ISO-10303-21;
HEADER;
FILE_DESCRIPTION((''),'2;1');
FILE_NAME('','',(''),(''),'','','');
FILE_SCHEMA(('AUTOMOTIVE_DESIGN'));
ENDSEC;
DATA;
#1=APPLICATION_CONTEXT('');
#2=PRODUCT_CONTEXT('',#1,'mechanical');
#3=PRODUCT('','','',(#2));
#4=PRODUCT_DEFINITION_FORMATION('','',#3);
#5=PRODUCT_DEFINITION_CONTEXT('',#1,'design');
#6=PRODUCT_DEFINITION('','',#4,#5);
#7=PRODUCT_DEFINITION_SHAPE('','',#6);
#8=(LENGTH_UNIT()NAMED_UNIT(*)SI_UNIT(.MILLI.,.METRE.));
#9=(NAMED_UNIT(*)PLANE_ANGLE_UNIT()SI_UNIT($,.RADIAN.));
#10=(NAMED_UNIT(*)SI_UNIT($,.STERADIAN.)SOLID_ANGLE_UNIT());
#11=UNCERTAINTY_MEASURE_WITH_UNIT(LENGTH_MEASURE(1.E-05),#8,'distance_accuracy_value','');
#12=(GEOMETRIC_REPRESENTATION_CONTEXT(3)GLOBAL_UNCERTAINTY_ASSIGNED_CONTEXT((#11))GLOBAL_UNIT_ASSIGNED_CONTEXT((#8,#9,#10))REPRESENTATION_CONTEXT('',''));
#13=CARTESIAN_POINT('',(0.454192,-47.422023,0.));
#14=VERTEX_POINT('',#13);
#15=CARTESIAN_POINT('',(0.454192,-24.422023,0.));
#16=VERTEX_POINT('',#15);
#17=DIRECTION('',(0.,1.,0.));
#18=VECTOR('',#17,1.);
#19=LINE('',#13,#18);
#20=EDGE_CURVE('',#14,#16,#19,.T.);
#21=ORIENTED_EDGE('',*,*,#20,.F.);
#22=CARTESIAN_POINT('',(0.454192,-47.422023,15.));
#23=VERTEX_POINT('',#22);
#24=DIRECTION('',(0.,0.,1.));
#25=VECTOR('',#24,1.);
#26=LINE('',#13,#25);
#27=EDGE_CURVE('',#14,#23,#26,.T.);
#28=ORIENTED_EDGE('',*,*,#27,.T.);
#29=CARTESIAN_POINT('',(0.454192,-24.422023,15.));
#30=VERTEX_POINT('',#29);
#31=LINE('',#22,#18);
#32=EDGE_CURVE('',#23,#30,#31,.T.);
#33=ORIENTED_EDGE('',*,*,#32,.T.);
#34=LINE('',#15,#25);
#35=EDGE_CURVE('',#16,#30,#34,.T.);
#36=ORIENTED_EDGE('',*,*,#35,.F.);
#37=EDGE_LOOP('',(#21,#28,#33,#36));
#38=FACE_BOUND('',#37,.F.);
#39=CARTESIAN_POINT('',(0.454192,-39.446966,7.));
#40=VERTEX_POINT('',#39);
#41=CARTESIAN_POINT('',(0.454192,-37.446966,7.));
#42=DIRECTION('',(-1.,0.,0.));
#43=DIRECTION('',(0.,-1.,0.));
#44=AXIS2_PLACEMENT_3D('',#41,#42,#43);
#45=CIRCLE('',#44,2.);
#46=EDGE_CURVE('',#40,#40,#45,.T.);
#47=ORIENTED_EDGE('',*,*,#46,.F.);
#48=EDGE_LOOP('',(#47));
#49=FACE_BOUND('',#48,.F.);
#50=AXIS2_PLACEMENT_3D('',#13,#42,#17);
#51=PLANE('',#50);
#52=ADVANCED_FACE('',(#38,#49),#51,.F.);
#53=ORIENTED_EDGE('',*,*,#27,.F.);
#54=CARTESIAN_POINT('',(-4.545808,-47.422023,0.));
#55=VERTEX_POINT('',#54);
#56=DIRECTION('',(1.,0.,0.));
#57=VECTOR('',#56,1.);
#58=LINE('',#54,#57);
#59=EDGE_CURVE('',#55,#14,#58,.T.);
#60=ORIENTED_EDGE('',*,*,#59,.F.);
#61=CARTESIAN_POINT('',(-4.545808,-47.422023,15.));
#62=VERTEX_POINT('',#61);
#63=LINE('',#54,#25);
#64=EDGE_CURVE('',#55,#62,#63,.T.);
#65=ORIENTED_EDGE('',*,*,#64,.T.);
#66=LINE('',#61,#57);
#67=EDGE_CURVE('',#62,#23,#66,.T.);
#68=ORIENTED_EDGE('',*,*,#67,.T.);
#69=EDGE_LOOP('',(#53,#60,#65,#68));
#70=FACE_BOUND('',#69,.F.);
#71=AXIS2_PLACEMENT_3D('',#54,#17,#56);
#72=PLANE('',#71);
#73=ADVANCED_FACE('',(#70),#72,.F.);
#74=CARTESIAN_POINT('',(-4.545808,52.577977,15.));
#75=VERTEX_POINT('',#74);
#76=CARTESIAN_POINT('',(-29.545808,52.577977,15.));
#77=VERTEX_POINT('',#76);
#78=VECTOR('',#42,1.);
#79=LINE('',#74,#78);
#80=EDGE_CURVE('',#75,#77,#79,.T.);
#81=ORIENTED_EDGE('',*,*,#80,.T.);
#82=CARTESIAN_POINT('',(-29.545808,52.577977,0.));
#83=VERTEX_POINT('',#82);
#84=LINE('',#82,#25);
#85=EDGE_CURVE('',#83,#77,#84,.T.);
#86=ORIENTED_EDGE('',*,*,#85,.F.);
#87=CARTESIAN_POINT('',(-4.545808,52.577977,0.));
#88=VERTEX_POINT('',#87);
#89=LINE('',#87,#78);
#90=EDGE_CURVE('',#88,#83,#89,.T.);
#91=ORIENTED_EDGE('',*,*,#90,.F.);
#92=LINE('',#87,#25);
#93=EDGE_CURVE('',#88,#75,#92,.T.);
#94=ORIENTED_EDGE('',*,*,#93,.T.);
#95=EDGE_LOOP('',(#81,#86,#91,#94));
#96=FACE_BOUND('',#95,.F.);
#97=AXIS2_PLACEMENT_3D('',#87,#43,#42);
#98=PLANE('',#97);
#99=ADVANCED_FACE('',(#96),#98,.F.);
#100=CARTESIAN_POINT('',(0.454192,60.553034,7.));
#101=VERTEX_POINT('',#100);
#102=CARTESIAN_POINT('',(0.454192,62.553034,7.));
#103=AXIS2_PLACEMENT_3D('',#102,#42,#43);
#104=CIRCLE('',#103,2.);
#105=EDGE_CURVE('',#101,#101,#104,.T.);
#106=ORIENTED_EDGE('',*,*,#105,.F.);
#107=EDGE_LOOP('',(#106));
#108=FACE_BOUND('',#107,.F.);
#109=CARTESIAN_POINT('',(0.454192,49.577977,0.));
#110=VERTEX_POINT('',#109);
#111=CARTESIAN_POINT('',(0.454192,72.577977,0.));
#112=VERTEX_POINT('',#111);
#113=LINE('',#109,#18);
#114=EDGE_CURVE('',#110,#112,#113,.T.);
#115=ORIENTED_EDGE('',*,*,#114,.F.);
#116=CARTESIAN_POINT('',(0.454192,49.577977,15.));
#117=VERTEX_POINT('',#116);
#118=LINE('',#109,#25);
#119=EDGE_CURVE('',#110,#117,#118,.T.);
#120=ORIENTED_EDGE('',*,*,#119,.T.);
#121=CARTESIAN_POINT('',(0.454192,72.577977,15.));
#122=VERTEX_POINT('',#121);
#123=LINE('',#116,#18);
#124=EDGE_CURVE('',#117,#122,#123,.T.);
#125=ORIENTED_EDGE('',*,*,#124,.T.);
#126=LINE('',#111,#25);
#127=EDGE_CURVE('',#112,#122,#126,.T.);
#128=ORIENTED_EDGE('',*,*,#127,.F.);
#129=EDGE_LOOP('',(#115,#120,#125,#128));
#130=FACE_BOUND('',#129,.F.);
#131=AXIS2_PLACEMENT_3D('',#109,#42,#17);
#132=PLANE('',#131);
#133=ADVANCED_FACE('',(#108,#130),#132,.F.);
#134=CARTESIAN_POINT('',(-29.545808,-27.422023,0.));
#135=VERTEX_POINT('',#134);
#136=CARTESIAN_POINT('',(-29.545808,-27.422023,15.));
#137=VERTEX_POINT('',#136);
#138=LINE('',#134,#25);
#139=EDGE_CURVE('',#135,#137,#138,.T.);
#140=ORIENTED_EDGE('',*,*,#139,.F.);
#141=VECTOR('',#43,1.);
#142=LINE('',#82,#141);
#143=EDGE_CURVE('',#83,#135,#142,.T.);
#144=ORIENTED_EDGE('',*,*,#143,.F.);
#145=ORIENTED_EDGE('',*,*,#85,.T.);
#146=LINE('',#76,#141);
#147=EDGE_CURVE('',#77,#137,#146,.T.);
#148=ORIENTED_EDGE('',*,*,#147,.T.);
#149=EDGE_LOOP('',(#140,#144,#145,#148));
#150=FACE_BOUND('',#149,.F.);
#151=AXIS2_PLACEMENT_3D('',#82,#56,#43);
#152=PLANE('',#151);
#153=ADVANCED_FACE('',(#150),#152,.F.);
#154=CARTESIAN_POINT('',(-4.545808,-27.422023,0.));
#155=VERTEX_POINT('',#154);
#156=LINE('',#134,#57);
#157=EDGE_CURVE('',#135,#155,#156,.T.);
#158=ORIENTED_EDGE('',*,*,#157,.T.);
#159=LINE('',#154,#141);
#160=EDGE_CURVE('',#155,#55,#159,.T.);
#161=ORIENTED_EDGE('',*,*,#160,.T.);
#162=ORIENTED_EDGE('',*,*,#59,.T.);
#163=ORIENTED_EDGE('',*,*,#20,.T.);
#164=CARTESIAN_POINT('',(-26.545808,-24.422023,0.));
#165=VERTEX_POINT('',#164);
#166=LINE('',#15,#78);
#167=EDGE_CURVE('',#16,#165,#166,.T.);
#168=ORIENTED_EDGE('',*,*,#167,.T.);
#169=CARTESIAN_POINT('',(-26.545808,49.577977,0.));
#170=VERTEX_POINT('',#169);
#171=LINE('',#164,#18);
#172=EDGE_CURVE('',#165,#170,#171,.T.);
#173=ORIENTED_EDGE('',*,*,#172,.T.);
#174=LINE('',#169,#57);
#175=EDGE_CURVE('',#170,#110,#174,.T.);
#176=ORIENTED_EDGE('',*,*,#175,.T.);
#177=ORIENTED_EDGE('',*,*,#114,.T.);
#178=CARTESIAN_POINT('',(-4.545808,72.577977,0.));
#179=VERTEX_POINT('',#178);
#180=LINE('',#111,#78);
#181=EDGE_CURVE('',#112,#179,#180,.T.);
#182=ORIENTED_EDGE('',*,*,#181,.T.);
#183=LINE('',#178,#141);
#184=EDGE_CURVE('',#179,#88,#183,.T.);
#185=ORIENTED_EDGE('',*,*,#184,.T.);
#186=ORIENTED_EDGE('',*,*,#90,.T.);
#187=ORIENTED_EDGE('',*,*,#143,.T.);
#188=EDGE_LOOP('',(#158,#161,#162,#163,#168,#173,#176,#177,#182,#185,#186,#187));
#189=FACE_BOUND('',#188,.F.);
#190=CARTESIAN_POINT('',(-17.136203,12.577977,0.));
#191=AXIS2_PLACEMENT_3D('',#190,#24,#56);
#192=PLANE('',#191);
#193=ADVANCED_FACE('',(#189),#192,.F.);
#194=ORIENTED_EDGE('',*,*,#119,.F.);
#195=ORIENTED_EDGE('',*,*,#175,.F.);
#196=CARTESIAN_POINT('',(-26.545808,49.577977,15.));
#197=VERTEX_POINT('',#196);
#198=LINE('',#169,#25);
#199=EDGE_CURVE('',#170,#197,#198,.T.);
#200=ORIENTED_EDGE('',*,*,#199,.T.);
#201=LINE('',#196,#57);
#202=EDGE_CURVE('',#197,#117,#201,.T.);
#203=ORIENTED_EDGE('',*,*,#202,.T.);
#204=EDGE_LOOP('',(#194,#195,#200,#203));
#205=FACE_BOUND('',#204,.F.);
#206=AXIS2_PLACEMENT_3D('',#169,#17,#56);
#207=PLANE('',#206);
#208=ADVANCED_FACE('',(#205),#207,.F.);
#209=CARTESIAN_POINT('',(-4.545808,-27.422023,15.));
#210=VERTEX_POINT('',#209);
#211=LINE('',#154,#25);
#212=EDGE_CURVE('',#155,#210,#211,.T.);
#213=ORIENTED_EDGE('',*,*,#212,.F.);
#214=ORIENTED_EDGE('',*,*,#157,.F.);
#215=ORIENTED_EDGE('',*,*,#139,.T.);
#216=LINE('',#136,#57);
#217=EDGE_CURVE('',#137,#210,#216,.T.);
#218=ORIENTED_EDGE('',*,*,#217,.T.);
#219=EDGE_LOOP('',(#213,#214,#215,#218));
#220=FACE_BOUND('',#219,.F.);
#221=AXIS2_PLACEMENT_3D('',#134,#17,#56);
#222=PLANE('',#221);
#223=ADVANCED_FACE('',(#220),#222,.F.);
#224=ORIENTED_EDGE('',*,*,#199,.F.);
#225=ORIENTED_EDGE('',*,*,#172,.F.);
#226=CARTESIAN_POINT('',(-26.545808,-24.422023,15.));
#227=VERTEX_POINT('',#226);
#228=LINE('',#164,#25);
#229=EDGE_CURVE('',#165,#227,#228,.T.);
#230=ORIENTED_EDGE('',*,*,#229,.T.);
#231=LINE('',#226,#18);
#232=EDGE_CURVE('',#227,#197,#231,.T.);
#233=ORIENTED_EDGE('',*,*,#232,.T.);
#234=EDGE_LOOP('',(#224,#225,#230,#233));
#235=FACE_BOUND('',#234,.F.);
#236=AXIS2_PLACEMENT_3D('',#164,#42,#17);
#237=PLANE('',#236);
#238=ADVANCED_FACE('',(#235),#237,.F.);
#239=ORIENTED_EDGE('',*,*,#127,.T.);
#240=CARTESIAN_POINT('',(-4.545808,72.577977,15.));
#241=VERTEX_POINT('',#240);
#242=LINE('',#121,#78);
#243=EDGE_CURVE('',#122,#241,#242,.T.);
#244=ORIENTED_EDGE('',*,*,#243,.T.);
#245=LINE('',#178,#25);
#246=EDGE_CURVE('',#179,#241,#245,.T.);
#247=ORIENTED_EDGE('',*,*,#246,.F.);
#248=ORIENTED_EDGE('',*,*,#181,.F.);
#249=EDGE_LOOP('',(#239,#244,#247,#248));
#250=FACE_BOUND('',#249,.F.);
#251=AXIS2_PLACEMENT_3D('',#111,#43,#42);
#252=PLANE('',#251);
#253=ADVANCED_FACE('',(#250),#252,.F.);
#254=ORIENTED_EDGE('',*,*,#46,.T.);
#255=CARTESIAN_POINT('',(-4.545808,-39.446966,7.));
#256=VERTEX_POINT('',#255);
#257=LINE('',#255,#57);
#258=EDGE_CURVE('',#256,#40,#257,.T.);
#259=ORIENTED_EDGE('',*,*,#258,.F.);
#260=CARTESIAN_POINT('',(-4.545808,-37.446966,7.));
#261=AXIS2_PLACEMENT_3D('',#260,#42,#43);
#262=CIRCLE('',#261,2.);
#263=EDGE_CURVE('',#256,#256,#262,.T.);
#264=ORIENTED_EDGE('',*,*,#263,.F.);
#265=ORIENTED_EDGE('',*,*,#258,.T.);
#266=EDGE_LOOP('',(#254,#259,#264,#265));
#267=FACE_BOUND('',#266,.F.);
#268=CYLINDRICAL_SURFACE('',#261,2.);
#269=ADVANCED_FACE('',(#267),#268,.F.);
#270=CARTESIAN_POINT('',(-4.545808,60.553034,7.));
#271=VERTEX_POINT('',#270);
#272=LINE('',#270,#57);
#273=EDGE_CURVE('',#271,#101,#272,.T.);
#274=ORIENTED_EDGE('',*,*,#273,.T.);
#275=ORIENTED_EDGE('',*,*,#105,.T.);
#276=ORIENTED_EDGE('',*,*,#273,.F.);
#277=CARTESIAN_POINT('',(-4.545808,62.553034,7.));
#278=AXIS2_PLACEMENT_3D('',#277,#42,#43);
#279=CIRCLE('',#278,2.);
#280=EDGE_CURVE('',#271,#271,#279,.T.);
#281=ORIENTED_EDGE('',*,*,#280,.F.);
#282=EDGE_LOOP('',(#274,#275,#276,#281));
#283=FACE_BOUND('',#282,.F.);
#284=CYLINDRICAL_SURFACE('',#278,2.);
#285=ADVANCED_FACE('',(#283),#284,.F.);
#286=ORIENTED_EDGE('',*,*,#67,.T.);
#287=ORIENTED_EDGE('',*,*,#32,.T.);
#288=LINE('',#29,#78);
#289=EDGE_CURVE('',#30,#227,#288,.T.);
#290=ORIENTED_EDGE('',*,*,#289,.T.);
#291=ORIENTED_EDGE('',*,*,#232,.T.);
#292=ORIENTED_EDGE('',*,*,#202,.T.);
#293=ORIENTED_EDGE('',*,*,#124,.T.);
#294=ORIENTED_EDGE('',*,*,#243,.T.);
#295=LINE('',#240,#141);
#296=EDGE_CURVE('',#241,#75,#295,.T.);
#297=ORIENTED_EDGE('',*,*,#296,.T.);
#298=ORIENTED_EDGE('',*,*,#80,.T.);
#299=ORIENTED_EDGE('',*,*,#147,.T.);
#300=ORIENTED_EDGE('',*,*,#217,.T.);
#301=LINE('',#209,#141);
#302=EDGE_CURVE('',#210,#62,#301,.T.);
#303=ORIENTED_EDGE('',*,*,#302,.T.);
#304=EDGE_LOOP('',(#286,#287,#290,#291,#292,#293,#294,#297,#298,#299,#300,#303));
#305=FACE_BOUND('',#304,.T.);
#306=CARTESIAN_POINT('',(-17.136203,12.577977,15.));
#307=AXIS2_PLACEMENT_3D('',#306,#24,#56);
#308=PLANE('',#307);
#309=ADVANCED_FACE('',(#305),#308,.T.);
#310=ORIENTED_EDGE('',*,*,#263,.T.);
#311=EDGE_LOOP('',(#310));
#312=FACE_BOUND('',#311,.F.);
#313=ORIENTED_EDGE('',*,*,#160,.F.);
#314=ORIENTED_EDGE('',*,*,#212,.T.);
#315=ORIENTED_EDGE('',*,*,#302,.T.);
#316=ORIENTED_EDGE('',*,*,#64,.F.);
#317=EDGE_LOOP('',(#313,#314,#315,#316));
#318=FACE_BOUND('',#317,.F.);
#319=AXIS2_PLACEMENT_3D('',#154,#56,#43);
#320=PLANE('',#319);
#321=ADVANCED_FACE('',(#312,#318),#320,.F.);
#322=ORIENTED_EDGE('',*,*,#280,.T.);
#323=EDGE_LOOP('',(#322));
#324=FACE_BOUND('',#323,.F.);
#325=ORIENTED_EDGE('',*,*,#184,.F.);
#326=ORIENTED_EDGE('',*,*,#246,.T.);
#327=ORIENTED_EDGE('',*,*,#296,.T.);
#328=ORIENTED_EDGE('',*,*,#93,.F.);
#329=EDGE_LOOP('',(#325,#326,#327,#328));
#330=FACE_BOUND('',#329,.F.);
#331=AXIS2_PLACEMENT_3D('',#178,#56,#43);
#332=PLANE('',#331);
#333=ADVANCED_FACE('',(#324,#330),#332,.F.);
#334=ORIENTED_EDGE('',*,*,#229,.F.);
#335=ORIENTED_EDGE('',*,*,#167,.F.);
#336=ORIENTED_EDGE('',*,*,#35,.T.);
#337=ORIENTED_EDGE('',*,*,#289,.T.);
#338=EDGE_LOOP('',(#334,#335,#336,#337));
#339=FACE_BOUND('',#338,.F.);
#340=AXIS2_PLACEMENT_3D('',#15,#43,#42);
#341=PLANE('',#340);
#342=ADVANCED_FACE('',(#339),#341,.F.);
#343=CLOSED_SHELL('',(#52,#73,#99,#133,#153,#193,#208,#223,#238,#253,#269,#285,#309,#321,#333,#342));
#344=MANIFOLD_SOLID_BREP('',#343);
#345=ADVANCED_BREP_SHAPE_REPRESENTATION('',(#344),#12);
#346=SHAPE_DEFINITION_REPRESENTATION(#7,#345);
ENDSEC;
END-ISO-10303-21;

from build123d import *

# Parameters (mm, degrees)
PAD_DEPTH   = 15
SKETCH001_R = 2
HOLE_DEPTH  = 25


with BuildPart() as part:
    # Sketch → Pad (new body)
    with BuildSketch(Plane.XY):
        Polygon((-4.545808, 72.577977), (-4.545808, 52.577977), (-29.545808, 52.577977), (-29.545808, -27.422023), (-4.545808, -27.422023), (-4.545808, -47.422023), (0.454192, -47.422023), (0.454192, -24.422023), (-26.545808, -24.422023), (-26.545808, 49.577977), (0.454192, 49.577977), (0.454192, 72.577977), align=None)
    extrude(amount=PAD_DEPTH)

    # Sketch001 (on Face5 of Pad) → Hole (cut)
    with BuildSketch(Plane(origin=(-4.545808, 0, 0), x_dir=(0, -1, 0), z_dir=(-1, 0, 0))):
        with Locations((-62.553034, 7)):
            Circle(SKETCH001_R)
        with Locations((37.446966, 7)):
            Circle(SKETCH001_R)
    extrude(amount=-HOLE_DEPTH, mode=Mode.SUBTRACT)


solid = part.part
